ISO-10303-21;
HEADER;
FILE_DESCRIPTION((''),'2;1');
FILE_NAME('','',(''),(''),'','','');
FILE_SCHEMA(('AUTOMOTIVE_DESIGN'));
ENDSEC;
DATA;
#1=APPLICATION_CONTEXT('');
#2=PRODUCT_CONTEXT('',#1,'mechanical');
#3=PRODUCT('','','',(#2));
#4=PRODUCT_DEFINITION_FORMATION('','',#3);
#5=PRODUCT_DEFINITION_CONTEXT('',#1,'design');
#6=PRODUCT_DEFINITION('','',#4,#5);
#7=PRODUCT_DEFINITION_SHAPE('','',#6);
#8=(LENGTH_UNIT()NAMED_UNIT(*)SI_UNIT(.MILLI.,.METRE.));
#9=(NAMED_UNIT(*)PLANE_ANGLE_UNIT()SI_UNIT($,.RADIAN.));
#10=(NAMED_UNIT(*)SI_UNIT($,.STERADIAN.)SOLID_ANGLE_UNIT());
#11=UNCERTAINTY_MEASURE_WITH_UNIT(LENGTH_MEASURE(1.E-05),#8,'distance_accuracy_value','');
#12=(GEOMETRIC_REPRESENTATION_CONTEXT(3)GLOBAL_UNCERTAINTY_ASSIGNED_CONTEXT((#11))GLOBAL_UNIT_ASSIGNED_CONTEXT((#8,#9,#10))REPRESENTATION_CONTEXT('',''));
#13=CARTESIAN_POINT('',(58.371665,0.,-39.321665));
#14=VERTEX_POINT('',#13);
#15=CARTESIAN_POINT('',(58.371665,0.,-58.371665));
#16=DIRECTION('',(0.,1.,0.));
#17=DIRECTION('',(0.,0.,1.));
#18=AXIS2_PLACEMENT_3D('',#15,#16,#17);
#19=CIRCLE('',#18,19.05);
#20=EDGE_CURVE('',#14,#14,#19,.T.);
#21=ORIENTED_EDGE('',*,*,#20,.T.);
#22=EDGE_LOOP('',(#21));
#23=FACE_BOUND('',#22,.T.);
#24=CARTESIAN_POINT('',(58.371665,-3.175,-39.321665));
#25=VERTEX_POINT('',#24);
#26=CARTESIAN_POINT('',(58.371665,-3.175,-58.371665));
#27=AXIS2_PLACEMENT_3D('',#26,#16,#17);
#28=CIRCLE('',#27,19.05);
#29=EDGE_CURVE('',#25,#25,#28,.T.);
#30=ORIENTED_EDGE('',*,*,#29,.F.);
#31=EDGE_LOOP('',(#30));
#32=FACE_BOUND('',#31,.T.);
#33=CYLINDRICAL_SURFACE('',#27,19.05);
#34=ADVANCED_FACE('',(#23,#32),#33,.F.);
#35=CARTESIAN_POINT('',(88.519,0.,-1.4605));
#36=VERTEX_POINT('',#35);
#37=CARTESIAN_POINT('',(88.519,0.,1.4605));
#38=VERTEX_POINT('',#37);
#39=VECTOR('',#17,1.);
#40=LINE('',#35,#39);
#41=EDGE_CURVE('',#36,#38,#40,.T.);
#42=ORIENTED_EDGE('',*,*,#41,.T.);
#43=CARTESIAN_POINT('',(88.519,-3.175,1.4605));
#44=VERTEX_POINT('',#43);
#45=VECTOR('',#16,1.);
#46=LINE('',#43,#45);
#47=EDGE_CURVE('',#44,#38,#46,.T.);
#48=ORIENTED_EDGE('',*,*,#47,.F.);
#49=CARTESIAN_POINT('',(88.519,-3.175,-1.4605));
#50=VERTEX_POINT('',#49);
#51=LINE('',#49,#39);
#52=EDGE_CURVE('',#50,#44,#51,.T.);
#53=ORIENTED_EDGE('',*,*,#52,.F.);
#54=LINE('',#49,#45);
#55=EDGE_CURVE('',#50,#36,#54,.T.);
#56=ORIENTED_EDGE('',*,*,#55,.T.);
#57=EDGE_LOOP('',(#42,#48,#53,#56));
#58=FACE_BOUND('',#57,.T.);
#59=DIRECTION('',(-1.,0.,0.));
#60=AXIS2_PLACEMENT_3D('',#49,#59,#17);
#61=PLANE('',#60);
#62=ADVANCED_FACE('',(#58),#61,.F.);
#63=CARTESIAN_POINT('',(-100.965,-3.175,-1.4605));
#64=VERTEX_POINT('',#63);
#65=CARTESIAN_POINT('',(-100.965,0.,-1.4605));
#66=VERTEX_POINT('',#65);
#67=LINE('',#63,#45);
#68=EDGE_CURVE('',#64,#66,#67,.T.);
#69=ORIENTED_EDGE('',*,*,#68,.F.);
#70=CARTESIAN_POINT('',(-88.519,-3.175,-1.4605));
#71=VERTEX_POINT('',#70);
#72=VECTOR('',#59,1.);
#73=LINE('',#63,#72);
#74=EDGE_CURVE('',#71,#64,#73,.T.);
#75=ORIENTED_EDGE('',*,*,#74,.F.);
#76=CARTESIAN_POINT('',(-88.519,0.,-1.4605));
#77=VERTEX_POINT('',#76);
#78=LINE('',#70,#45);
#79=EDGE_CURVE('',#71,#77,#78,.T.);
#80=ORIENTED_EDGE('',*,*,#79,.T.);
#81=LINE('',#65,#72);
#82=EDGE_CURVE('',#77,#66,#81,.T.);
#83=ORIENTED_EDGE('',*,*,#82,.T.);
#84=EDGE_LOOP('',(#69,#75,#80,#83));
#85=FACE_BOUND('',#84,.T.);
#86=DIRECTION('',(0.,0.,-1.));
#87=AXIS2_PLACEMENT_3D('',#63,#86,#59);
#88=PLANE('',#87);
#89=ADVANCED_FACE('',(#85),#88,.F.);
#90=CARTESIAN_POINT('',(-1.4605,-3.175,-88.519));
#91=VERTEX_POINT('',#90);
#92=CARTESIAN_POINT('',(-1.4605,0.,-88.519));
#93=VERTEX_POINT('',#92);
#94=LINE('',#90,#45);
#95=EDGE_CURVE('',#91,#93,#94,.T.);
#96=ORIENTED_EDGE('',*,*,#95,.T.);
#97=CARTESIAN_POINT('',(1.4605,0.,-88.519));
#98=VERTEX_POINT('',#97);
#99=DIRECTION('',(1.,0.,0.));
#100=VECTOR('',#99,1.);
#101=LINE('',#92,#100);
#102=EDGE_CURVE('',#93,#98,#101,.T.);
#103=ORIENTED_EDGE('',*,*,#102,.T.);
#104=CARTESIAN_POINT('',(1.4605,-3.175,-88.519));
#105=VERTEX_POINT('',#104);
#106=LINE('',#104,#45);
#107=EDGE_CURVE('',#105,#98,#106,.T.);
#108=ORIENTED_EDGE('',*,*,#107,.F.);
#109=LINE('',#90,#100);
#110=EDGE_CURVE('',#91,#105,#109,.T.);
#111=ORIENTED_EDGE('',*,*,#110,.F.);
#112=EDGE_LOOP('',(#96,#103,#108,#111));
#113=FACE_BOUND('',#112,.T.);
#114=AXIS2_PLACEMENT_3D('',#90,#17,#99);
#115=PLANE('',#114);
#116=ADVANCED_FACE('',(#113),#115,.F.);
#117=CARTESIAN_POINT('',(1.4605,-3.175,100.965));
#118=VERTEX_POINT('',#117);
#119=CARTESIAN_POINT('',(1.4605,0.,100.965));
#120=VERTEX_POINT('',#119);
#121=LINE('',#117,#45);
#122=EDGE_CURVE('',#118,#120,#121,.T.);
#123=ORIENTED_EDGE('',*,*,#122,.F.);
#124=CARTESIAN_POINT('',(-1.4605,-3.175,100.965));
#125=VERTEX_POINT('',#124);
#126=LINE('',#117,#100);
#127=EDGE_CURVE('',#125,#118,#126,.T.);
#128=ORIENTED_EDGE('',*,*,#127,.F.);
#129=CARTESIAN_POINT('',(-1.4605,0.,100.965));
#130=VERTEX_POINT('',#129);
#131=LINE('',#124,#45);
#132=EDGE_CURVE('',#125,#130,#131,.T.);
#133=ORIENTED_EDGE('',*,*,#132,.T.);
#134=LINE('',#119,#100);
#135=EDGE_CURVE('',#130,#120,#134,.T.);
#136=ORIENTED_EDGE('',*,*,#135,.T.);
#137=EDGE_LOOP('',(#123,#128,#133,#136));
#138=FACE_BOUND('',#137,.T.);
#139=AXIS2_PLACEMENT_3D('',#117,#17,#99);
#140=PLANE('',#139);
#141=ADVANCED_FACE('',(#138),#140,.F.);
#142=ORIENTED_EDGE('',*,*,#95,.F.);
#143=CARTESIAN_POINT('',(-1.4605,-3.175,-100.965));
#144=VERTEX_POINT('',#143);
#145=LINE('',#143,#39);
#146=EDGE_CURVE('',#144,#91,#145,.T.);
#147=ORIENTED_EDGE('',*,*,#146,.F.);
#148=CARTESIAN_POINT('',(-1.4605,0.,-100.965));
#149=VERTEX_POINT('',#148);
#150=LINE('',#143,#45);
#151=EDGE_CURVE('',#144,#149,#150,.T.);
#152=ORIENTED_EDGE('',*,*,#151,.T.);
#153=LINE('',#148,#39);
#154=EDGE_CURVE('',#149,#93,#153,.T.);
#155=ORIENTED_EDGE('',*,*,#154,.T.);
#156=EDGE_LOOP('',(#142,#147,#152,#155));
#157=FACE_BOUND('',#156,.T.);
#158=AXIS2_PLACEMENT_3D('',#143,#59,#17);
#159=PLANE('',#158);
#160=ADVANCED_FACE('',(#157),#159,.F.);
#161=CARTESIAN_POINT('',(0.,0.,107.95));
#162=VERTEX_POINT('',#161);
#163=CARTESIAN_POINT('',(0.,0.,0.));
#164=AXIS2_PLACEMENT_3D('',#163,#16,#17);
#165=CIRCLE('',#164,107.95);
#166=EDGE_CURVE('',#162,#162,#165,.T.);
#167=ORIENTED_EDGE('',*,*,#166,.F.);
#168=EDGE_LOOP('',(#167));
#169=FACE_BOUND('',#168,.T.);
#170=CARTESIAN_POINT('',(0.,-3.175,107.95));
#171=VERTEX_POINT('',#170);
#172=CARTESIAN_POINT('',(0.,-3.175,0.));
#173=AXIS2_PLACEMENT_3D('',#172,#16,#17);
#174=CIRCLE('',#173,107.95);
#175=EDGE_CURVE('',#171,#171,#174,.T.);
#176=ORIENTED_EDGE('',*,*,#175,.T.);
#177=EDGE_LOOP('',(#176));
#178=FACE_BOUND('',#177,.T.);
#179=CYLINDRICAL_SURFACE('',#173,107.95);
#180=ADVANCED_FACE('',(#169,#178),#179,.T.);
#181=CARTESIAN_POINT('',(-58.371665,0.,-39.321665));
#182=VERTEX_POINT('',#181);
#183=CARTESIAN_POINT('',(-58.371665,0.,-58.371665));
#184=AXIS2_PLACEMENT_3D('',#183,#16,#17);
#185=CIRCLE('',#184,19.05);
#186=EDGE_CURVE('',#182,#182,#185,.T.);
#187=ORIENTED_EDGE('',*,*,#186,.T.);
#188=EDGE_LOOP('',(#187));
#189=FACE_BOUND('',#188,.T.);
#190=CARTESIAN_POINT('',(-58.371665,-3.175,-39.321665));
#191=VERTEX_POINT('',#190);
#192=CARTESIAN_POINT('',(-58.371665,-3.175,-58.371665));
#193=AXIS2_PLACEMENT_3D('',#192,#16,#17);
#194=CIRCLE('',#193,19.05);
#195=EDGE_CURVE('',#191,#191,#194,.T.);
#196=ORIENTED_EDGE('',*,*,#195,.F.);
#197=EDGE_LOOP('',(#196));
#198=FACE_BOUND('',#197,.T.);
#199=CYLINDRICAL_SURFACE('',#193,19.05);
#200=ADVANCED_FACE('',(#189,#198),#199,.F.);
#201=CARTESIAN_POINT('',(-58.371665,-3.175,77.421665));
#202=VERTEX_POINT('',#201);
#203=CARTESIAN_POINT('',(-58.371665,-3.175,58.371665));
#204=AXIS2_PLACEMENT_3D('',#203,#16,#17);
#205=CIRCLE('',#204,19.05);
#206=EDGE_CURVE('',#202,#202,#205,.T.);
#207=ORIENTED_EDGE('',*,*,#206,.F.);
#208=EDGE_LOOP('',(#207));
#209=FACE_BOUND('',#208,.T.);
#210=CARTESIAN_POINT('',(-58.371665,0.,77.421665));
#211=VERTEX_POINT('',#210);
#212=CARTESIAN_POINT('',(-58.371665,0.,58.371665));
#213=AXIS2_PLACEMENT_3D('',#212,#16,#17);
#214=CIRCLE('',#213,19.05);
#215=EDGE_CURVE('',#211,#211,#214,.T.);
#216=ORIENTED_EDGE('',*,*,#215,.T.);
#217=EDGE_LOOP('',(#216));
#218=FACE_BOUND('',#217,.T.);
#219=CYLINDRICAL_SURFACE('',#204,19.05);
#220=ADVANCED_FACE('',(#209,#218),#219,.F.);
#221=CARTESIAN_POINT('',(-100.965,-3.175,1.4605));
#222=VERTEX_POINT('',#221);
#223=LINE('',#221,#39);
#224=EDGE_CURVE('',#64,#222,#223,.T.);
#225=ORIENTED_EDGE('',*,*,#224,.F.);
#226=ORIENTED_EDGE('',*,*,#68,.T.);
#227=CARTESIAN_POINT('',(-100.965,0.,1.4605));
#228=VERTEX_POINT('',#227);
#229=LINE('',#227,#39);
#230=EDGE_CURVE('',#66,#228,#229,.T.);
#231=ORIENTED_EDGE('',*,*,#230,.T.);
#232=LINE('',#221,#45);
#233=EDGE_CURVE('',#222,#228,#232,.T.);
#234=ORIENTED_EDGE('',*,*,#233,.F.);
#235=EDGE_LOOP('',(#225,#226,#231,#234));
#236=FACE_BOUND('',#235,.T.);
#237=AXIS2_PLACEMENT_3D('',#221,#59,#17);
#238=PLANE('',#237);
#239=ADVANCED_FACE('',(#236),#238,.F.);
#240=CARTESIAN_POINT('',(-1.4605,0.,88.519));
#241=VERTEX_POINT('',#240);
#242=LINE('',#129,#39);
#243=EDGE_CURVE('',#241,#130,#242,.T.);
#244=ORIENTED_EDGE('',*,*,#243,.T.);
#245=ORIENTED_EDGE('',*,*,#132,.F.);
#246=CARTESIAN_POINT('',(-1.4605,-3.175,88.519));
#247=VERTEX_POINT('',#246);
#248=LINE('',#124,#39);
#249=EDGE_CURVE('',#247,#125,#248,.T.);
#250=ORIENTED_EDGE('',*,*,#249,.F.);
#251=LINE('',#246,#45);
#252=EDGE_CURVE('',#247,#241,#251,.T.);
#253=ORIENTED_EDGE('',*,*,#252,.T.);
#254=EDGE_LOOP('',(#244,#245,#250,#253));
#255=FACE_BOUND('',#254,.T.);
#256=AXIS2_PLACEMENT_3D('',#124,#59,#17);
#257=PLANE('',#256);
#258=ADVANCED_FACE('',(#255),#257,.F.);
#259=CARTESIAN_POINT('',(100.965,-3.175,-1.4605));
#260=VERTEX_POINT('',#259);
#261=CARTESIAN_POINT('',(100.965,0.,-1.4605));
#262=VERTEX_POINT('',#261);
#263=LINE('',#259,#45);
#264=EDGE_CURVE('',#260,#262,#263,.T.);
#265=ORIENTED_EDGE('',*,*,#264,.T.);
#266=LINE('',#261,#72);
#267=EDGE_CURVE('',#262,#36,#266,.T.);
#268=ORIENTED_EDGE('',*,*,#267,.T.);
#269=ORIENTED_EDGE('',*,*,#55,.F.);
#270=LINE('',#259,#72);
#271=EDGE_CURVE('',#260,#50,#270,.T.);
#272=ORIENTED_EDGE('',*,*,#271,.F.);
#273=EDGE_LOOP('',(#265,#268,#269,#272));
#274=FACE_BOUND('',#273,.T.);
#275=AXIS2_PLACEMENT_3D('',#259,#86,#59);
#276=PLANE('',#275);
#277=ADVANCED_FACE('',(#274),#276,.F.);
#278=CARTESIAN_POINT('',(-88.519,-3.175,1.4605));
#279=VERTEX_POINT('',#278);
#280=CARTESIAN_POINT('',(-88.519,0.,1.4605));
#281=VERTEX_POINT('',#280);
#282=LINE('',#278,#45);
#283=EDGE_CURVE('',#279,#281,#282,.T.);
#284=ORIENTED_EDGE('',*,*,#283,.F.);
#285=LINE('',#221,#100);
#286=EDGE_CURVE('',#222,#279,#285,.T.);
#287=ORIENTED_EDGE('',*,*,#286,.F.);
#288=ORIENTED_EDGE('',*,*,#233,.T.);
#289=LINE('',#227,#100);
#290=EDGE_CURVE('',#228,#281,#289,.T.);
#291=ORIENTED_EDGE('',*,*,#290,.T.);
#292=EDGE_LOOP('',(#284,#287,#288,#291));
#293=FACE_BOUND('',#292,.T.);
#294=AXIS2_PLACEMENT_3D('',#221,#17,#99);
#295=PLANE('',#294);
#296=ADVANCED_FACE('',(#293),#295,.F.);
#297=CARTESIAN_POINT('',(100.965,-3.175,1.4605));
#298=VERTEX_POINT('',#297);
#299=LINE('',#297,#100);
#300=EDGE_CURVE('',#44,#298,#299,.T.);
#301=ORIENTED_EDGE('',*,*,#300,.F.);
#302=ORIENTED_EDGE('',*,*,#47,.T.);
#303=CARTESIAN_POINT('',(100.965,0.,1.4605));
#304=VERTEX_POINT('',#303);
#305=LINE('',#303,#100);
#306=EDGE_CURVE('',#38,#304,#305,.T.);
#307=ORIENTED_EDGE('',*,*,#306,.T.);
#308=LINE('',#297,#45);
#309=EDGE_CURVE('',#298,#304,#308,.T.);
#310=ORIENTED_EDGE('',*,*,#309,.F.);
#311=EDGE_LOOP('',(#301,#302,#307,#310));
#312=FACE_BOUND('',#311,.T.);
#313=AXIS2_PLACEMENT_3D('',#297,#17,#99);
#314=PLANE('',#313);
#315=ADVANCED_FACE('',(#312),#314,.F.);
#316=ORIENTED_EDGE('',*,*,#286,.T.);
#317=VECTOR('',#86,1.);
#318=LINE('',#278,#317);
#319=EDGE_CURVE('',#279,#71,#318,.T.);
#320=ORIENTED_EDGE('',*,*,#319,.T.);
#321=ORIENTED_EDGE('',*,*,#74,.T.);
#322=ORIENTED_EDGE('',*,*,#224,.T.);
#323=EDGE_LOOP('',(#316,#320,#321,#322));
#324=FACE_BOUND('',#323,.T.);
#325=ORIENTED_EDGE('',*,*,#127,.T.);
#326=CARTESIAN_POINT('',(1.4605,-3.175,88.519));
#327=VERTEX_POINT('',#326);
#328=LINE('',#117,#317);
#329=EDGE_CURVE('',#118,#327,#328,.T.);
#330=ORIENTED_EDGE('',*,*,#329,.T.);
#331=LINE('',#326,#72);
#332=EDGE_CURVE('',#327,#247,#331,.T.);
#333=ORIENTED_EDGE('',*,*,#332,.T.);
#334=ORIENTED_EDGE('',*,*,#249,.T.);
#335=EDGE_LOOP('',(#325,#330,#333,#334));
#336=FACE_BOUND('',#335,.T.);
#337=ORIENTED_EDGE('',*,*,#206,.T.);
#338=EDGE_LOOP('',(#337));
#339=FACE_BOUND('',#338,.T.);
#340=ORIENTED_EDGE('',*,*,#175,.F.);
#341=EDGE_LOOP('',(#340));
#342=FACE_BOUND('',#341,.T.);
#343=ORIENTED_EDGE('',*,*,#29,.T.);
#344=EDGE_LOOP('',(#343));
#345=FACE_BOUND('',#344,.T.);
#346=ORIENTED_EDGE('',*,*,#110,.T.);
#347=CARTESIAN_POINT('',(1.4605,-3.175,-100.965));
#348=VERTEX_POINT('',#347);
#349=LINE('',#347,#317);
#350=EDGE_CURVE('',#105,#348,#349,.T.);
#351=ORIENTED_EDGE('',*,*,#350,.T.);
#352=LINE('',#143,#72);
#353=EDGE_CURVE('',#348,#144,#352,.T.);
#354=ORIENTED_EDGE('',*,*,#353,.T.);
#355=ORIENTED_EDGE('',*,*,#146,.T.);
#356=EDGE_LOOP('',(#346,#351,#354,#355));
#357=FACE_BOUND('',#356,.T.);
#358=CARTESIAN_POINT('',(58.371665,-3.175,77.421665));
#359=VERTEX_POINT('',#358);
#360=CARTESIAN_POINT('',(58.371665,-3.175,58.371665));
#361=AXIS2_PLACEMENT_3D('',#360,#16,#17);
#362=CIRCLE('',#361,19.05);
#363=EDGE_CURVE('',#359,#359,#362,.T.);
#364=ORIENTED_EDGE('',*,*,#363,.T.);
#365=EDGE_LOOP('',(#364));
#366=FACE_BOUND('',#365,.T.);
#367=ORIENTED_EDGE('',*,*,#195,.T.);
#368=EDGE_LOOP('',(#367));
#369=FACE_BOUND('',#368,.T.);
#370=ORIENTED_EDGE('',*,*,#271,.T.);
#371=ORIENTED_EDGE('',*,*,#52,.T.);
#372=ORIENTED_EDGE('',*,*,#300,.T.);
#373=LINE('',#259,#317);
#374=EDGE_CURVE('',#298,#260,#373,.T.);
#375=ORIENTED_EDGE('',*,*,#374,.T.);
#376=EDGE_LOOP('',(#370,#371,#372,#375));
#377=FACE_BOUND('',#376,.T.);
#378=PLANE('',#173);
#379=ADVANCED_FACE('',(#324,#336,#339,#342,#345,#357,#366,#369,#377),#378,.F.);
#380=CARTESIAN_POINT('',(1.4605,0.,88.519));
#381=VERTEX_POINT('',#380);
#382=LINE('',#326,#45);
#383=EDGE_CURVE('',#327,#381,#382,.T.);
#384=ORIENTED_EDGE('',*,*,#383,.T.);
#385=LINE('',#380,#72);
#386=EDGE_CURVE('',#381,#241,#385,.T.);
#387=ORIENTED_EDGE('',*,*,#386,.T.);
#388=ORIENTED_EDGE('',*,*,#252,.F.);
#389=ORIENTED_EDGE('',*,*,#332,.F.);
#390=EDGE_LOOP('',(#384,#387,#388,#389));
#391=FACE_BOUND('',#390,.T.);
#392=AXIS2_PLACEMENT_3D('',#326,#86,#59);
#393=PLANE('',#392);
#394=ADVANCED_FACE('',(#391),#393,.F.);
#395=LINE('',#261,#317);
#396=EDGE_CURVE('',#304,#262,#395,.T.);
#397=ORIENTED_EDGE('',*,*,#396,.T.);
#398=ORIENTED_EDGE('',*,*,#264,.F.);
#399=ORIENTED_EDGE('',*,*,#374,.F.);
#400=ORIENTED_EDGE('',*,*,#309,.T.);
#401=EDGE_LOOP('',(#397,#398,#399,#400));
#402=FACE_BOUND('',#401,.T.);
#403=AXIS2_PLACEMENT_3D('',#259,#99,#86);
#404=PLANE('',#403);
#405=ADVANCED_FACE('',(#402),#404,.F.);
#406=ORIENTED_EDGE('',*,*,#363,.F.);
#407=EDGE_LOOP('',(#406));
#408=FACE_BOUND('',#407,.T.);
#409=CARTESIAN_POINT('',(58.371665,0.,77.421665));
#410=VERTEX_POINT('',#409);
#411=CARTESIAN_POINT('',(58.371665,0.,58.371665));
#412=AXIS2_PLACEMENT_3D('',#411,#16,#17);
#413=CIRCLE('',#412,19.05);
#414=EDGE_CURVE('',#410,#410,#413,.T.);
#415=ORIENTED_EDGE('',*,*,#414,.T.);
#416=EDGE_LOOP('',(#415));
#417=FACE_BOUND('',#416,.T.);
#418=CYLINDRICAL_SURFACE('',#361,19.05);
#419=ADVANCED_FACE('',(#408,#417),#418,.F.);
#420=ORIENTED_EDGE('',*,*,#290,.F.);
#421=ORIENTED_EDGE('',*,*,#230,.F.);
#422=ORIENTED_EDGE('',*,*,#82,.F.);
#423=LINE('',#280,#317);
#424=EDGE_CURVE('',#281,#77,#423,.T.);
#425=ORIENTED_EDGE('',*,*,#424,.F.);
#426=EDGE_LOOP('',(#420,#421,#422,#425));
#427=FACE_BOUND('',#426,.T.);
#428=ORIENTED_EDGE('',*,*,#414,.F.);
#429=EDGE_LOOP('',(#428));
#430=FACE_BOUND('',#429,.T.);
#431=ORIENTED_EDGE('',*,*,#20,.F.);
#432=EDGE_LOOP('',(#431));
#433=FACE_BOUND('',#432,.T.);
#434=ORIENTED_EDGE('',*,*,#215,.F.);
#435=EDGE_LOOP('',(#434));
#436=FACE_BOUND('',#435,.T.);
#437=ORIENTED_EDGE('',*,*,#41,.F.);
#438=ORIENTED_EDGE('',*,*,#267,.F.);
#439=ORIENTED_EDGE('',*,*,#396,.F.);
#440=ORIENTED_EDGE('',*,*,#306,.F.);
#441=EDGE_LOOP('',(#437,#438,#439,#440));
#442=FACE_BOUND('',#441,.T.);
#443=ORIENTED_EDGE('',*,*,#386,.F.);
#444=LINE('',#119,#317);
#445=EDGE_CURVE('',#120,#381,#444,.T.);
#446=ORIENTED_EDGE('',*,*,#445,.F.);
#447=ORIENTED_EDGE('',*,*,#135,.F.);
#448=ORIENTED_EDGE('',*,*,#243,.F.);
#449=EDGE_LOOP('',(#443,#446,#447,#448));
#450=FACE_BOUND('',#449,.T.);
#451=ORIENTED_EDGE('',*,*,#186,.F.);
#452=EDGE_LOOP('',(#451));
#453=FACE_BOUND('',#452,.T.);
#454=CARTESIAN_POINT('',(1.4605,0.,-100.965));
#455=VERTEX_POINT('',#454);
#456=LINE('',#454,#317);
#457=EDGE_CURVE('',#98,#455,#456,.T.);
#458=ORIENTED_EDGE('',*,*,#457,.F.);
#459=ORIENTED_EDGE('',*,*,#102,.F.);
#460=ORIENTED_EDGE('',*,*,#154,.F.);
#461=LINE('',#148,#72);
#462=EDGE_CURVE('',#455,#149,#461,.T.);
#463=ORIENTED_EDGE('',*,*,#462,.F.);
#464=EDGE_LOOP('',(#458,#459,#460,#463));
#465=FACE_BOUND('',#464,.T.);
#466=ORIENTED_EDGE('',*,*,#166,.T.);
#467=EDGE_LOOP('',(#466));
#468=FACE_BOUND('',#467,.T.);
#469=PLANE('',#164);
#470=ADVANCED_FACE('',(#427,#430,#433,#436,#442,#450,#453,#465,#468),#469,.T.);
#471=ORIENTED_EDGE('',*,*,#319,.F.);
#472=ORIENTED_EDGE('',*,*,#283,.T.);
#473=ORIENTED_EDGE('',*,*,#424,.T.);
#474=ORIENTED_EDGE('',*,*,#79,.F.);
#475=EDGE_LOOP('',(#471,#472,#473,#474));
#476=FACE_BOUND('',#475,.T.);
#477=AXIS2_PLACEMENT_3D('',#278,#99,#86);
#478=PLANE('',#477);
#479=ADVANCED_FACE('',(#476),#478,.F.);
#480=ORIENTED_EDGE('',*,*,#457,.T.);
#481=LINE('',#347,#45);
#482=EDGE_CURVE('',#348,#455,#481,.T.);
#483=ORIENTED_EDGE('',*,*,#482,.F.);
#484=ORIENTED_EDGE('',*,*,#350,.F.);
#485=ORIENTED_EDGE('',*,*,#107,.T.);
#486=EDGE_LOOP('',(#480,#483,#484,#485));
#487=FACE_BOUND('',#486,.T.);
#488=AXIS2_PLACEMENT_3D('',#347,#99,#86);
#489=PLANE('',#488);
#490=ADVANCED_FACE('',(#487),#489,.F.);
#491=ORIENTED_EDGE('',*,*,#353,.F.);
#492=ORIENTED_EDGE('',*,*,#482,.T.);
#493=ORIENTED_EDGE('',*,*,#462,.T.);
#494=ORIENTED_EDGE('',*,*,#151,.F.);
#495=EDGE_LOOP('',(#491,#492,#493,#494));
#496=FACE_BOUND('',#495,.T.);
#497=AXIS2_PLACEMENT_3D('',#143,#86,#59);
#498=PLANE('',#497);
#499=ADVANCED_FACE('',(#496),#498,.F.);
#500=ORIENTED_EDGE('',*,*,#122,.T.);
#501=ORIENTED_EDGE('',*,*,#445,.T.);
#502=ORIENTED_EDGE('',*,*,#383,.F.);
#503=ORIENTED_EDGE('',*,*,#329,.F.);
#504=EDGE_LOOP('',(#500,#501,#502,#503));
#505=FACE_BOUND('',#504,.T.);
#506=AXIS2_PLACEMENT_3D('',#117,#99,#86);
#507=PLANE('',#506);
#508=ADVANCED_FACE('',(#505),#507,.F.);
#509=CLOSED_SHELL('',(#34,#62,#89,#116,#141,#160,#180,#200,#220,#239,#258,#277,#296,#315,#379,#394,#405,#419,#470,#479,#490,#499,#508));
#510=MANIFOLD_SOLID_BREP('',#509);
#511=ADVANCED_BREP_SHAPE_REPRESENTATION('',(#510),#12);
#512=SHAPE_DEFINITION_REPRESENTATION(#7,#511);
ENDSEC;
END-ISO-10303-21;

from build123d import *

# Parameters (mm, degrees)
SKETCH1_R           = 107.95
SKETCH1_R_2         = 19.05
SKETCH1_W           = 2.921
SKETCH1_H           = 12.446
SKETCH1_W_2         = 12.446
SKETCH1_H_2         = 2.921
BOSS_EXTRUDE1_DEPTH = 3.175


with BuildPart() as part:
    # Sketch1 → Boss-Extrude1 (new body)
    with BuildSketch(Plane(origin=(0, 0, 0), x_dir=(1, 0, 0), z_dir=(0, 1, 0))):
        Circle(SKETCH1_R)
        with Locations((58.371664787, 58.371664787)):
            Circle(SKETCH1_R_2, mode=Mode.SUBTRACT)
        with Locations((58.371664787, -58.371664787)):
            Circle(SKETCH1_R_2, mode=Mode.SUBTRACT)
        with Locations((-58.371664787, -58.371664787)):
            Circle(SKETCH1_R_2, mode=Mode.SUBTRACT)
        with Locations((-58.371664787, 58.371664787)):
            Circle(SKETCH1_R_2, mode=Mode.SUBTRACT)
        with Locations((0, -94.742)):
            Rectangle(SKETCH1_W, SKETCH1_H, mode=Mode.SUBTRACT)
        with Locations((94.742, 0)):
            Rectangle(SKETCH1_W_2, SKETCH1_H_2, mode=Mode.SUBTRACT)
        with Locations((-94.742, 0)):
            Rectangle(SKETCH1_W_2, SKETCH1_H_2, mode=Mode.SUBTRACT)
        with Locations((0, 94.742)):
            Rectangle(SKETCH1_W, SKETCH1_H, mode=Mode.SUBTRACT)
    extrude(amount=-BOSS_EXTRUDE1_DEPTH)


solid = part.part
